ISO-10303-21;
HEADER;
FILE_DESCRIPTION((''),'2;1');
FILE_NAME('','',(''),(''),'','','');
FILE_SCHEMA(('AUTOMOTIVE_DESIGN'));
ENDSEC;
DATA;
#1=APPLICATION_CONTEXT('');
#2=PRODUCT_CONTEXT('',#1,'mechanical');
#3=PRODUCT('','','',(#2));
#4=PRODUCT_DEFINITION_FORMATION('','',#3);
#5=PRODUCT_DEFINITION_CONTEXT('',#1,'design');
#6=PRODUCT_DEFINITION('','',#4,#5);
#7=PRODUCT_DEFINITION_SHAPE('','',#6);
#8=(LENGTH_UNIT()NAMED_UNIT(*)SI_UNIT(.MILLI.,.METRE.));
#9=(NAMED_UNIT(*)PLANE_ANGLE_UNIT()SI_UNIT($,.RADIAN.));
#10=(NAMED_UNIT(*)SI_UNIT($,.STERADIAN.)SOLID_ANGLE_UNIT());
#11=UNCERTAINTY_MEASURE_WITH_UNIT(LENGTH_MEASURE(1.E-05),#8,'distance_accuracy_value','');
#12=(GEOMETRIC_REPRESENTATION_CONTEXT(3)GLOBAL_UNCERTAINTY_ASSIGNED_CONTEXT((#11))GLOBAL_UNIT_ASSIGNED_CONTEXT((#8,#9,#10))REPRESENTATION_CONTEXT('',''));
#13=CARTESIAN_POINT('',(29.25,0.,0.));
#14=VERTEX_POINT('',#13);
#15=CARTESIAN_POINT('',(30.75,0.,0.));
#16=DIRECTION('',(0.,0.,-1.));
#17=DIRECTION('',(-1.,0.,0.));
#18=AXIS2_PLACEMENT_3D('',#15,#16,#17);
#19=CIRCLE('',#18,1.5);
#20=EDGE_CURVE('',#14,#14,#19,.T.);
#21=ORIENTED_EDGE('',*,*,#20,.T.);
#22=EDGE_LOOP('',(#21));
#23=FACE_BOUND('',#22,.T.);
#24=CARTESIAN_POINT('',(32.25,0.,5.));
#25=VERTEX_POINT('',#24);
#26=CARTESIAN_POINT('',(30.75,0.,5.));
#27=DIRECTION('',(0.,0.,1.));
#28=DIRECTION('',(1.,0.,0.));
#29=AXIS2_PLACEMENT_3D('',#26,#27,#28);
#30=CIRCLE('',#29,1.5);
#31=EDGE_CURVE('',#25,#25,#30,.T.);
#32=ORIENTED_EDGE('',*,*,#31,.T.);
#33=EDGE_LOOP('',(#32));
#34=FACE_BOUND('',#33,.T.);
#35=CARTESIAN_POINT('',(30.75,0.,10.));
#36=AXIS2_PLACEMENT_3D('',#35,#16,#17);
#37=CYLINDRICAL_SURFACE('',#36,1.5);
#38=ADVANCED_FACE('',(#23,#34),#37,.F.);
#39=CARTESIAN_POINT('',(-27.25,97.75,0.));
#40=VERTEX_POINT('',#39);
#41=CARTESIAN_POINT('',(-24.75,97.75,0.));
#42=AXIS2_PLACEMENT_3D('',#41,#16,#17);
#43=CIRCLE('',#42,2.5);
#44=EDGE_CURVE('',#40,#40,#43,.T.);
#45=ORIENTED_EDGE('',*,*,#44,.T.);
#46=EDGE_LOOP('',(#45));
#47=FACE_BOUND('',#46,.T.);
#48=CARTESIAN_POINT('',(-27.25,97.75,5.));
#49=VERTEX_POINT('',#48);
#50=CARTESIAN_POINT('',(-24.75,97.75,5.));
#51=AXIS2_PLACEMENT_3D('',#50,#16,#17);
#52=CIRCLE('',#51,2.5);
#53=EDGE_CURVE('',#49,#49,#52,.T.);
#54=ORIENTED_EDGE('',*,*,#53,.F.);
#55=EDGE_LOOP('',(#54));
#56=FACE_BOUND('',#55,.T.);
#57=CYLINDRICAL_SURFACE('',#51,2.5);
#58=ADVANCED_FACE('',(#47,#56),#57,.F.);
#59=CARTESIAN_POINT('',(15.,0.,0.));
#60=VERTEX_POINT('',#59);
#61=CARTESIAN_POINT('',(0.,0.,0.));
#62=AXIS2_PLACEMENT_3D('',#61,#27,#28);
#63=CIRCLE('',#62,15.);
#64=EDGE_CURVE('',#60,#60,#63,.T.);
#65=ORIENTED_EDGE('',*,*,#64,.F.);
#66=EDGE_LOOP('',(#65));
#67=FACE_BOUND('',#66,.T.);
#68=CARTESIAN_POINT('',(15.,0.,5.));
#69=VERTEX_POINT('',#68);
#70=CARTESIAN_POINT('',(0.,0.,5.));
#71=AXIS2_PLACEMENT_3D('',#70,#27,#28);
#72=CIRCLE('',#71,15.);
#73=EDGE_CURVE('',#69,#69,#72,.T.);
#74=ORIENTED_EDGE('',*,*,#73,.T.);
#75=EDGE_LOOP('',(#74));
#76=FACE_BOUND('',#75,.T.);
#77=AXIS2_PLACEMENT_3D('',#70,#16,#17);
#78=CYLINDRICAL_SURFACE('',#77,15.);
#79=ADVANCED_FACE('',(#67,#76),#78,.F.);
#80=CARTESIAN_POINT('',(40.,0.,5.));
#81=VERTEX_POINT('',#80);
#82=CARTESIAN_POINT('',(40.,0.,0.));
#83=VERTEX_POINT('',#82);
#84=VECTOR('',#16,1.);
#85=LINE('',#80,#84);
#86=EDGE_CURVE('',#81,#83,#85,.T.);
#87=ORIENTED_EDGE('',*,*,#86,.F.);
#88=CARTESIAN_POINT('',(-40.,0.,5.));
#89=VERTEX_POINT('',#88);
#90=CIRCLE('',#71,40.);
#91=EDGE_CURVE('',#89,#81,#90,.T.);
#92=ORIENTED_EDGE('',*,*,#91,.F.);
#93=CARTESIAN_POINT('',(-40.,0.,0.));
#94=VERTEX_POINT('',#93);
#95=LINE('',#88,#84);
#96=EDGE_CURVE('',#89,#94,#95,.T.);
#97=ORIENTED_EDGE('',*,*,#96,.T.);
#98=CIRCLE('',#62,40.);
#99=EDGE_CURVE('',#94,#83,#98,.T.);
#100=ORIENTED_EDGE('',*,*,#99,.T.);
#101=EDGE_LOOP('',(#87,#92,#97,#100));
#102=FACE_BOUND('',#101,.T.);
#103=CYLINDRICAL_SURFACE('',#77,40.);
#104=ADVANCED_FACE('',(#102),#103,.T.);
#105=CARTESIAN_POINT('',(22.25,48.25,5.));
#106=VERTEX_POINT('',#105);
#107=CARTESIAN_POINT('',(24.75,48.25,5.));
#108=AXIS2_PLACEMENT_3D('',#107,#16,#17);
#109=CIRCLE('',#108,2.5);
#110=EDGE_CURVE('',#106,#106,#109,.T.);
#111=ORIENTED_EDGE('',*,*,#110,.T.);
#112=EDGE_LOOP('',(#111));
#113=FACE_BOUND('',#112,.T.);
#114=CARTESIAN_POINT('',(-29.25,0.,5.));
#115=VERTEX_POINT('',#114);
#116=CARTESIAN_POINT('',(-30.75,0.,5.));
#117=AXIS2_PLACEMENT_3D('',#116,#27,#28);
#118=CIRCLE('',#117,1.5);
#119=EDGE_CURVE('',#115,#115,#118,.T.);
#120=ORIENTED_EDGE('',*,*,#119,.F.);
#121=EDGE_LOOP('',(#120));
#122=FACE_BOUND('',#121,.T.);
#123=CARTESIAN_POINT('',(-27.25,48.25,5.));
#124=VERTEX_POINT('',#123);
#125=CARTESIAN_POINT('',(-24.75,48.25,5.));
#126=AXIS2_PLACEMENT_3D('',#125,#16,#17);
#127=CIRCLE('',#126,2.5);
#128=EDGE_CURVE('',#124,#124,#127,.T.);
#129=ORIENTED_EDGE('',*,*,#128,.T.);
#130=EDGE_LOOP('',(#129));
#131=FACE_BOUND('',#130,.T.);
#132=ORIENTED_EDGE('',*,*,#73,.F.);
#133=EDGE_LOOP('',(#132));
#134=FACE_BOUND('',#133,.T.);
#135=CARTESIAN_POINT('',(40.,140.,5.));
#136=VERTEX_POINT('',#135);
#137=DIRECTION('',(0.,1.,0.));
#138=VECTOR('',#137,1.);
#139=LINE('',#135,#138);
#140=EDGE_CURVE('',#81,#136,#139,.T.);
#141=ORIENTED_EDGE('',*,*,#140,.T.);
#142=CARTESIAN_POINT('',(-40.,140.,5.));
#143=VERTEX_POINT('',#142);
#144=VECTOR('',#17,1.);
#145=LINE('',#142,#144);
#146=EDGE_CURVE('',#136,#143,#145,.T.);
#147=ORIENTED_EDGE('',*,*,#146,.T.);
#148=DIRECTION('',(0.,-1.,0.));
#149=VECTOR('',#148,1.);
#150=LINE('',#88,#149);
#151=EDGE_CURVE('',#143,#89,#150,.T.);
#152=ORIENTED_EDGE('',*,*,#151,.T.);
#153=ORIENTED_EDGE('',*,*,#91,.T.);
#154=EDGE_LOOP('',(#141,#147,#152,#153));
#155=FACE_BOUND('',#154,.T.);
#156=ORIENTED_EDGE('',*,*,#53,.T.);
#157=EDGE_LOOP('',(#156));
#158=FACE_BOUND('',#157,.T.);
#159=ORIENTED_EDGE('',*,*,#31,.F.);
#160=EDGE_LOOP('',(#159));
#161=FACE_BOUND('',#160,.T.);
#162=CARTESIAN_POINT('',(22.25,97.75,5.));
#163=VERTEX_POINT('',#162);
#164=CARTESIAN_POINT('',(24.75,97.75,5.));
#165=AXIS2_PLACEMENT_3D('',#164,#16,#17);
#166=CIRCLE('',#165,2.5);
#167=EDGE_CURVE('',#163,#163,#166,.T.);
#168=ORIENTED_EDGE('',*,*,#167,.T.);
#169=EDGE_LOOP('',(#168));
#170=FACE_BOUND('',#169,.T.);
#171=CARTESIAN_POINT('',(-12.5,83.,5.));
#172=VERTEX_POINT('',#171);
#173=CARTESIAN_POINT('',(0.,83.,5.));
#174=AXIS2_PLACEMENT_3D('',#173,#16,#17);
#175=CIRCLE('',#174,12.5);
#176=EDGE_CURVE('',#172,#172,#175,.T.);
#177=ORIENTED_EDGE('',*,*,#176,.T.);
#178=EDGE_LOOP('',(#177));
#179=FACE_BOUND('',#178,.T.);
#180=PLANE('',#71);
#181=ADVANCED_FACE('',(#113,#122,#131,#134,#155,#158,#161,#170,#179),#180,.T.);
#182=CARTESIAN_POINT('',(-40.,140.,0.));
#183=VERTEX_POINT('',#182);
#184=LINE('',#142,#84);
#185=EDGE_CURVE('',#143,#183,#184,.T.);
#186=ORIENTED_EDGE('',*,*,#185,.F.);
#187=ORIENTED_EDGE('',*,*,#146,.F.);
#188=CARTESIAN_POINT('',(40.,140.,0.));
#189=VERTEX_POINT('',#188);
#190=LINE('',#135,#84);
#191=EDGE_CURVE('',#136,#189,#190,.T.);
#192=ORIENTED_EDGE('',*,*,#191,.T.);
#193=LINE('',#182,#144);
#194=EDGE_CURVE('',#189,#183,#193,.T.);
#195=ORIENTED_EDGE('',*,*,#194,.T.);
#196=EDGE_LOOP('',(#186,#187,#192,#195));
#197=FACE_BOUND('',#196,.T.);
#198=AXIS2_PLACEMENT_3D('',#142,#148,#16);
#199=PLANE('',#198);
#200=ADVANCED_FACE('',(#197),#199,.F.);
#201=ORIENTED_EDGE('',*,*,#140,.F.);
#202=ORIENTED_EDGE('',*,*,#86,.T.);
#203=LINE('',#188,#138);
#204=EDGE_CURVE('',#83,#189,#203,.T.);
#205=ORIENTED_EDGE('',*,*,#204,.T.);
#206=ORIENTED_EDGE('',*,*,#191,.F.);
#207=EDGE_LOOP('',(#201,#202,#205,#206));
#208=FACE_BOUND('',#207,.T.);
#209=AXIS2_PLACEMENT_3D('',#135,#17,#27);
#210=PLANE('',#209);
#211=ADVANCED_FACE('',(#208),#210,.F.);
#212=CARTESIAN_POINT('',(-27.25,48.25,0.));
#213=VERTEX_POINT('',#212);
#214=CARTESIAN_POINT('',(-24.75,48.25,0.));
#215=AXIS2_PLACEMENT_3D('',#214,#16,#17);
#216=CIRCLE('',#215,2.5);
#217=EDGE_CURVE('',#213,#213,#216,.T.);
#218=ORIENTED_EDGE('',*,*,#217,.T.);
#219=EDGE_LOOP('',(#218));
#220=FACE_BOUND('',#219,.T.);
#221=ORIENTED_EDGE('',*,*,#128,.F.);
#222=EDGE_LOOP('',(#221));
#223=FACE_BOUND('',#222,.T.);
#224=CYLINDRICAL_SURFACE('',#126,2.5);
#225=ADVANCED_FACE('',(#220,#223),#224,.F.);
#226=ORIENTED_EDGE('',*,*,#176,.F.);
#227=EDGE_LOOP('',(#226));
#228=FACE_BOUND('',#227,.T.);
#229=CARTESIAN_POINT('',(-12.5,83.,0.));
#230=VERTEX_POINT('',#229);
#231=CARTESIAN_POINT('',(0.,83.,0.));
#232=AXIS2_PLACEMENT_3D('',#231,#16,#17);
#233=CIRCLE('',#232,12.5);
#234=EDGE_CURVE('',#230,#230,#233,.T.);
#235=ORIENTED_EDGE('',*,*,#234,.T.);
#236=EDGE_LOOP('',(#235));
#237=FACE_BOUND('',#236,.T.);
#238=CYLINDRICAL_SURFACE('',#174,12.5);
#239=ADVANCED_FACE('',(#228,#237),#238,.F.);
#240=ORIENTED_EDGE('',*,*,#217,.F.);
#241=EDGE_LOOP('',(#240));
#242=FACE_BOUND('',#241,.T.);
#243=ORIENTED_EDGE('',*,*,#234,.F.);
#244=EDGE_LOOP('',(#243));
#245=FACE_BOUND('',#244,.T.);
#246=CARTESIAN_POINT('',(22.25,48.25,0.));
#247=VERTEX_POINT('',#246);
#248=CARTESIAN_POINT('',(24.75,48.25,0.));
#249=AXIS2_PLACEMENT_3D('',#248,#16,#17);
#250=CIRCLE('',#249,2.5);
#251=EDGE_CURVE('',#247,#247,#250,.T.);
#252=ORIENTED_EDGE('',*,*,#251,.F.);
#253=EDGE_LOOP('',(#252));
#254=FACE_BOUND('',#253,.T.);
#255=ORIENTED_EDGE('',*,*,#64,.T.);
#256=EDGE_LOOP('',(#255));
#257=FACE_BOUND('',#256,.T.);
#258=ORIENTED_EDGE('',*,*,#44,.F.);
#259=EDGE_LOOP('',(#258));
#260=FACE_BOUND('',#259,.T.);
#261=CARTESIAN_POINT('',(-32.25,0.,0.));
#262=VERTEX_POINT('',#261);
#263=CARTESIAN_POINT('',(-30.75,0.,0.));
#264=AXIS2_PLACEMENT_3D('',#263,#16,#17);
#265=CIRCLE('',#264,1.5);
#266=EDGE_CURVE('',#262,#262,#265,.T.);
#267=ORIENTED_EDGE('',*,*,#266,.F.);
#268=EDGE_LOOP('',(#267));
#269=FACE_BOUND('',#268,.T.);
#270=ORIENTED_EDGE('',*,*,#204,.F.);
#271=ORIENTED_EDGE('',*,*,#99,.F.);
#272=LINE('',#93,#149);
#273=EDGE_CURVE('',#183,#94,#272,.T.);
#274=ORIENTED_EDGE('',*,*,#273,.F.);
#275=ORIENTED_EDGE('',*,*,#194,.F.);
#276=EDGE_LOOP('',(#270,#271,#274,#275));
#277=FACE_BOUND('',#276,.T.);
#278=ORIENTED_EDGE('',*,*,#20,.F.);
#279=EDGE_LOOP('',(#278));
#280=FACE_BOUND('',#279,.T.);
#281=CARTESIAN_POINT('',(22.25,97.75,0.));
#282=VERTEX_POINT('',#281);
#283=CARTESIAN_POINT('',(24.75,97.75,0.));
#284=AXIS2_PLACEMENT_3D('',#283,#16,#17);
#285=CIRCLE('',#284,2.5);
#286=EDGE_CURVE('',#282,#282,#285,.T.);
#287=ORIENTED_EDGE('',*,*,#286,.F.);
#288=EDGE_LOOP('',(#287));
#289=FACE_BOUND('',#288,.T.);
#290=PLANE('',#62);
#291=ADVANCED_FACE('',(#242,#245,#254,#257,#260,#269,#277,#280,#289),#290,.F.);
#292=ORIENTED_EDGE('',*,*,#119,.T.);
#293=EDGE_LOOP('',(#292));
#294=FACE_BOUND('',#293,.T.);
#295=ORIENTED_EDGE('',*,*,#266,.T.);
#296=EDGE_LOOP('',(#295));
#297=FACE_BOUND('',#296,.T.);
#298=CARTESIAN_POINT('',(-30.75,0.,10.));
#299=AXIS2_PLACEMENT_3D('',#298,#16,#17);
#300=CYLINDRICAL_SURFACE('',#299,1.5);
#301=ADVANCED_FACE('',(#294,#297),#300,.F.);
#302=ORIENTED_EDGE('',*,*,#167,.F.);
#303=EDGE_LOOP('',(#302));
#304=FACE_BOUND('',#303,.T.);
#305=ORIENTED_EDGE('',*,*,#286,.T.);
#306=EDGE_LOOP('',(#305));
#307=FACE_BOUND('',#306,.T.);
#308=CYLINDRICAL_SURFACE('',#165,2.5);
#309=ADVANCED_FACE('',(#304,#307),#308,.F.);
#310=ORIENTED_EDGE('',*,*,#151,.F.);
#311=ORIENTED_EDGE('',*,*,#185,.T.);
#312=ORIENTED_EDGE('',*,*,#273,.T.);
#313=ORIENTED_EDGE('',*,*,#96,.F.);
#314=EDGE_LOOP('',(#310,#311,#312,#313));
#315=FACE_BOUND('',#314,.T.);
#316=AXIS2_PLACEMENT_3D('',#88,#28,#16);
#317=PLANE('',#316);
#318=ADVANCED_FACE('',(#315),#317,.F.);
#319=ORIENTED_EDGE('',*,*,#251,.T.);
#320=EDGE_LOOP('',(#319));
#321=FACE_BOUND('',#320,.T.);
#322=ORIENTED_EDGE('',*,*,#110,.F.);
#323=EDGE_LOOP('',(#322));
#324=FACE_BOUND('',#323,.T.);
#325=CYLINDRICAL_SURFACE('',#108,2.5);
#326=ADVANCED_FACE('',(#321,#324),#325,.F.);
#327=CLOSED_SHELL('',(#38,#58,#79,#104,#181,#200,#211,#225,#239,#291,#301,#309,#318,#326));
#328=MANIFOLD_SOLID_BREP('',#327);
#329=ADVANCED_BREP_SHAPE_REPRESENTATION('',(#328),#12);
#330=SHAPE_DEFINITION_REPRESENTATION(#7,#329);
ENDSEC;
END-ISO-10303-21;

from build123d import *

# Parameters (mm, degrees)
SKETCH1_R           = 15
BOSS_EXTRUDE1_DEPTH = 5
SKETCH2_R           = 2.5
SKETCH2_R_2         = 12.5
CUT_EXTRUDE1_DEPTH  = 146.688022843
SKETCH3_R           = 1.5
CUT_EXTRUDE2_DEPTH  = 10


with BuildPart() as part:
    # Sketch1 → Boss-Extrude1 (new body)
    with BuildSketch(Plane.XY):
        with BuildLine():
            Line((-40, 0), (-40, 140))
            Line((-40, 140), (40, 140))
            Line((40, 140), (40, 0))
            ThreePointArc((40, 0), (0, -40), (-40, 0))
        make_face()
        Circle(SKETCH1_R, mode=Mode.SUBTRACT)
    extrude(amount=BOSS_EXTRUDE1_DEPTH)

    # Sketch2 → Cut-Extrude1 (cut, through all)
    with BuildSketch(Plane(origin=(0, 0, 0), x_dir=(-1, 0, 0), z_dir=(0, 0, -1))):
        with Locations((-24.75, 97.75)):
            Circle(SKETCH2_R)
        with Locations((24.75, 97.75)):
            Circle(SKETCH2_R)
        with Locations((24.75, 48.25)):
            Circle(SKETCH2_R)
        with Locations((-24.75, 48.25)):
            Circle(SKETCH2_R)
        with Locations((0, 83)):
            Circle(SKETCH2_R_2)
    extrude(amount=-CUT_EXTRUDE1_DEPTH, mode=Mode.SUBTRACT)

    # Sketch3 → Cut-Extrude2 (cut)
    with BuildSketch(Plane(origin=(0, 0, 0), x_dir=(-1, 0, 0), z_dir=(0, 0, -1))):
        with Locations((-30.75, 0)):
            Circle(SKETCH3_R)
        with Locations((30.75, 0)):
            Circle(SKETCH3_R)
    extrude(amount=-CUT_EXTRUDE2_DEPTH, mode=Mode.SUBTRACT)


solid = part.part
